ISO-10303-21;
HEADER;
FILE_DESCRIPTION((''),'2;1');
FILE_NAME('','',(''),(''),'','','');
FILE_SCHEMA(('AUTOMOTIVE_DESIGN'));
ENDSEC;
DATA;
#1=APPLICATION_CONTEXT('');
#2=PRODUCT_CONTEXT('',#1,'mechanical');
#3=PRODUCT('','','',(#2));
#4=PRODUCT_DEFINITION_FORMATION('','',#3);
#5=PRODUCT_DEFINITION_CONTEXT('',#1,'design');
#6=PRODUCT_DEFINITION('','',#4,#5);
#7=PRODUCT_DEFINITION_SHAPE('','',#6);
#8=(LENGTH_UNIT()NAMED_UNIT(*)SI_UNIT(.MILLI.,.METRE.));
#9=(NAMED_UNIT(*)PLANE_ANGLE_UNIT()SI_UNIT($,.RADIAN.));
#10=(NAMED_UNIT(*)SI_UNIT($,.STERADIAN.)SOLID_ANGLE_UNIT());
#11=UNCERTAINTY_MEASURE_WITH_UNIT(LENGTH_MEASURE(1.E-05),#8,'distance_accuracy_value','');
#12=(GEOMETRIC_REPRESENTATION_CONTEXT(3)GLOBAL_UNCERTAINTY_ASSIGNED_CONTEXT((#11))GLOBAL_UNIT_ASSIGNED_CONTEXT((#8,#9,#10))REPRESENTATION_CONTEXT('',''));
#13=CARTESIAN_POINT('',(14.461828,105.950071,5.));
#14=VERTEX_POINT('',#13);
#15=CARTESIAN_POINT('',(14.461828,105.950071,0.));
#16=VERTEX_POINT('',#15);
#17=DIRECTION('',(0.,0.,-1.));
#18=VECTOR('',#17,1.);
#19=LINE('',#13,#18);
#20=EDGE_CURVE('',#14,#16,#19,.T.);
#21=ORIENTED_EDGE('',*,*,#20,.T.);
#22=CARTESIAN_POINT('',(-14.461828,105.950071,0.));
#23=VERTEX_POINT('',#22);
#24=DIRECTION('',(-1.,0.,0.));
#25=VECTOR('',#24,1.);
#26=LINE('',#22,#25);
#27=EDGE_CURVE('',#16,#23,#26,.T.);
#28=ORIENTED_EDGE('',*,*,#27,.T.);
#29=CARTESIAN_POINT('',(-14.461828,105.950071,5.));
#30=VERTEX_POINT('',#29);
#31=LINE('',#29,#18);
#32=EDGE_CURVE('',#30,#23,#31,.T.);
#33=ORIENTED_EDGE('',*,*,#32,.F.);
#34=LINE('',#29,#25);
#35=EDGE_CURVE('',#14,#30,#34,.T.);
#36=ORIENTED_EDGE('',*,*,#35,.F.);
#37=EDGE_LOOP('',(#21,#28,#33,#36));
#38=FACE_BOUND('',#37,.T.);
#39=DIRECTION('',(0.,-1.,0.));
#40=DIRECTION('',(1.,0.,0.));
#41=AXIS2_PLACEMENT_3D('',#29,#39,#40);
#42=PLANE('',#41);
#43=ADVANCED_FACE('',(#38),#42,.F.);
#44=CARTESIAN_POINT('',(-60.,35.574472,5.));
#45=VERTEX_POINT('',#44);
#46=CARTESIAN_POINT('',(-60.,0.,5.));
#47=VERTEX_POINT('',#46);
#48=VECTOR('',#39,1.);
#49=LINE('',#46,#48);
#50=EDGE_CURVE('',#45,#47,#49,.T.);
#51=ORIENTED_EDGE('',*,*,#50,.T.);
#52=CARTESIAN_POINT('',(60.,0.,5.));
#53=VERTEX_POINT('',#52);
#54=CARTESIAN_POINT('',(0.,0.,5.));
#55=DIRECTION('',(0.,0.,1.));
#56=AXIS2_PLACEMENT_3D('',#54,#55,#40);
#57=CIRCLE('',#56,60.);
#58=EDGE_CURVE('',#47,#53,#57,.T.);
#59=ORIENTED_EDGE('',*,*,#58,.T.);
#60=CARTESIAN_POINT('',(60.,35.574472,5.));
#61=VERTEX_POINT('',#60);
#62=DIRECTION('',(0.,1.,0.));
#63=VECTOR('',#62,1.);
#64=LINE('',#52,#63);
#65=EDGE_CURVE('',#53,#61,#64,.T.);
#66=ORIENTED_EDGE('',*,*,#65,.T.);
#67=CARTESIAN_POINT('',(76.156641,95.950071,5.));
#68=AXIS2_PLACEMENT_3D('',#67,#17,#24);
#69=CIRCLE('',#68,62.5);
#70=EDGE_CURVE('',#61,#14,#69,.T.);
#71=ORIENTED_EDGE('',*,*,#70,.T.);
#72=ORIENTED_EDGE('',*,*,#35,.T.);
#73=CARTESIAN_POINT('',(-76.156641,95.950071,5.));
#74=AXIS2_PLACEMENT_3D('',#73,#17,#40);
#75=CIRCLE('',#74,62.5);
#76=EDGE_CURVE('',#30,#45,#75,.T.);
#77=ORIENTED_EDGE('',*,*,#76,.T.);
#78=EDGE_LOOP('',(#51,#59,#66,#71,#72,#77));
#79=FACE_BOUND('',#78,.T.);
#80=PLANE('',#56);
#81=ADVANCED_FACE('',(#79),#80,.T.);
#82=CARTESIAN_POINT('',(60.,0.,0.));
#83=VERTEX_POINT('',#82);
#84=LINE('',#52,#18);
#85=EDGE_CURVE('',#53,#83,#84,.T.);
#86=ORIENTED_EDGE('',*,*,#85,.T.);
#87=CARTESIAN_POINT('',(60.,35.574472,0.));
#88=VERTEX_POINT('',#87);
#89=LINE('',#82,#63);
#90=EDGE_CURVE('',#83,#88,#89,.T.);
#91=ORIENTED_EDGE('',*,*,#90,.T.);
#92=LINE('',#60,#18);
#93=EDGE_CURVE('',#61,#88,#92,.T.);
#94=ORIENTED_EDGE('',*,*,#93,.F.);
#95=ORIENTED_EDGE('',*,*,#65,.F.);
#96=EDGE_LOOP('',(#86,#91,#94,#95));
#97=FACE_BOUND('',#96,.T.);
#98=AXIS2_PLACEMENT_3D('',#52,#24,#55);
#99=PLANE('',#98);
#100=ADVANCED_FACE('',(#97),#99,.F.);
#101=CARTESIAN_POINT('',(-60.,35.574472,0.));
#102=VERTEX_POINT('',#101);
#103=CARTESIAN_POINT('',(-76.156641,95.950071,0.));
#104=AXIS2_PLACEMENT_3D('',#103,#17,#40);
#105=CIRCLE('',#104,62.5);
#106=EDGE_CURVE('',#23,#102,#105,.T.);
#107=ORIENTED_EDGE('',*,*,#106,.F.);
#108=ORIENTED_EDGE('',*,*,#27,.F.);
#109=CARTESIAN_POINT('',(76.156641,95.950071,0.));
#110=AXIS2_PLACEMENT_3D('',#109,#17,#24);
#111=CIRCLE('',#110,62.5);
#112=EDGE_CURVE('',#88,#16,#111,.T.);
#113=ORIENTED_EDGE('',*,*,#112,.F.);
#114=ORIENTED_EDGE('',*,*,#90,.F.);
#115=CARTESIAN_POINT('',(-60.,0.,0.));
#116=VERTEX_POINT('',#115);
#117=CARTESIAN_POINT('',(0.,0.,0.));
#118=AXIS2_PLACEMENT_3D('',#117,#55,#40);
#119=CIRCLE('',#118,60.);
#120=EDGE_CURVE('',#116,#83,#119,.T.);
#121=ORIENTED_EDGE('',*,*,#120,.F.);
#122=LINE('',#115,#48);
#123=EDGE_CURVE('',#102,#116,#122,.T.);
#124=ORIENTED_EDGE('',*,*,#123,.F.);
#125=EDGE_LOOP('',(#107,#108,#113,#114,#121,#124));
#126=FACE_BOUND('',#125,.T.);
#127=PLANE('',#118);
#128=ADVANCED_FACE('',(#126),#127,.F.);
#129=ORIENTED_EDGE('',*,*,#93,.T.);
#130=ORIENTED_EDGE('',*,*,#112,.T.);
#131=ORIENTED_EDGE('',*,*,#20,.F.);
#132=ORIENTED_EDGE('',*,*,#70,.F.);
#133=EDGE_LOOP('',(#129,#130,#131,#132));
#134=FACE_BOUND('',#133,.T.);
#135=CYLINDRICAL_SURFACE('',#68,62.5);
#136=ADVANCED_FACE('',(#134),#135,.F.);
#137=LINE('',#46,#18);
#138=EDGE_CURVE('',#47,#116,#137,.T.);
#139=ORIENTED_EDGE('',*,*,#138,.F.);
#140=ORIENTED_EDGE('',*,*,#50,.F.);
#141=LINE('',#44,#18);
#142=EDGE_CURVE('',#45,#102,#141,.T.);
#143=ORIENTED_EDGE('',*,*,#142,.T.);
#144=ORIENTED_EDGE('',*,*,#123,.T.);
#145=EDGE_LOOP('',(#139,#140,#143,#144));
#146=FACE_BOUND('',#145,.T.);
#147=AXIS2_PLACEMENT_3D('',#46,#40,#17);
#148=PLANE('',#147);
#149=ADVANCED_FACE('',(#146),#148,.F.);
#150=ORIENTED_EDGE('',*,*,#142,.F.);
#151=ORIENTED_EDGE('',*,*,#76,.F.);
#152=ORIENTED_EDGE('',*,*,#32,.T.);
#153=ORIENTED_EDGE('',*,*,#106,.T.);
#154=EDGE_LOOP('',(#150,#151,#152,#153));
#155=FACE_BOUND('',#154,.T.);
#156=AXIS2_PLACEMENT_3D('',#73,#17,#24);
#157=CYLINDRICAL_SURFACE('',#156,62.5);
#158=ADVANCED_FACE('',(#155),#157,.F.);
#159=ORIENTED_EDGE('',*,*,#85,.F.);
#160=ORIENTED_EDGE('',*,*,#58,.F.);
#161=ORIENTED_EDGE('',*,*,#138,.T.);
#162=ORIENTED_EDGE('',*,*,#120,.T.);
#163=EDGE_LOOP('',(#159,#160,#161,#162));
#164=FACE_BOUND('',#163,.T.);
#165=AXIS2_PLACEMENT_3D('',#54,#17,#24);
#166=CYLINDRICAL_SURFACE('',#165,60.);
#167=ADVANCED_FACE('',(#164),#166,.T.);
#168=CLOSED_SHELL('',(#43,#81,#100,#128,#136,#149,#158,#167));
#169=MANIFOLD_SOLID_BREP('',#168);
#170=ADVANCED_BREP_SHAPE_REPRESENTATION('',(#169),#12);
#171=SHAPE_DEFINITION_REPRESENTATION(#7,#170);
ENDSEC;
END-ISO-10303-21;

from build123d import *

# Parameters (mm, degrees)
BOSS_EXTRUDE1_DEPTH = 5


with BuildPart() as part:
    # Sketch7 → Boss-Extrude1 (new body)
    with BuildSketch(Plane.XY):
        with BuildLine():
            Line((-60, 0), (-60, 35.574471566))
            ThreePointArc((-60, 35.574471566), (-23.683853056, 61.996329512), (-14.461827551, 105.950070556))
            Line((-14.461827551, 105.950070556), (14.461827551, 105.950070556))
            ThreePointArc((14.461827551, 105.950070556), (23.683853056, 61.996329512), (60, 35.574471566))
            Line((60, 35.574471566), (60, 0))
            ThreePointArc((60, 0), (0, -60), (-60, 0))
        make_face()
    extrude(amount=BOSS_EXTRUDE1_DEPTH)


solid = part.part
